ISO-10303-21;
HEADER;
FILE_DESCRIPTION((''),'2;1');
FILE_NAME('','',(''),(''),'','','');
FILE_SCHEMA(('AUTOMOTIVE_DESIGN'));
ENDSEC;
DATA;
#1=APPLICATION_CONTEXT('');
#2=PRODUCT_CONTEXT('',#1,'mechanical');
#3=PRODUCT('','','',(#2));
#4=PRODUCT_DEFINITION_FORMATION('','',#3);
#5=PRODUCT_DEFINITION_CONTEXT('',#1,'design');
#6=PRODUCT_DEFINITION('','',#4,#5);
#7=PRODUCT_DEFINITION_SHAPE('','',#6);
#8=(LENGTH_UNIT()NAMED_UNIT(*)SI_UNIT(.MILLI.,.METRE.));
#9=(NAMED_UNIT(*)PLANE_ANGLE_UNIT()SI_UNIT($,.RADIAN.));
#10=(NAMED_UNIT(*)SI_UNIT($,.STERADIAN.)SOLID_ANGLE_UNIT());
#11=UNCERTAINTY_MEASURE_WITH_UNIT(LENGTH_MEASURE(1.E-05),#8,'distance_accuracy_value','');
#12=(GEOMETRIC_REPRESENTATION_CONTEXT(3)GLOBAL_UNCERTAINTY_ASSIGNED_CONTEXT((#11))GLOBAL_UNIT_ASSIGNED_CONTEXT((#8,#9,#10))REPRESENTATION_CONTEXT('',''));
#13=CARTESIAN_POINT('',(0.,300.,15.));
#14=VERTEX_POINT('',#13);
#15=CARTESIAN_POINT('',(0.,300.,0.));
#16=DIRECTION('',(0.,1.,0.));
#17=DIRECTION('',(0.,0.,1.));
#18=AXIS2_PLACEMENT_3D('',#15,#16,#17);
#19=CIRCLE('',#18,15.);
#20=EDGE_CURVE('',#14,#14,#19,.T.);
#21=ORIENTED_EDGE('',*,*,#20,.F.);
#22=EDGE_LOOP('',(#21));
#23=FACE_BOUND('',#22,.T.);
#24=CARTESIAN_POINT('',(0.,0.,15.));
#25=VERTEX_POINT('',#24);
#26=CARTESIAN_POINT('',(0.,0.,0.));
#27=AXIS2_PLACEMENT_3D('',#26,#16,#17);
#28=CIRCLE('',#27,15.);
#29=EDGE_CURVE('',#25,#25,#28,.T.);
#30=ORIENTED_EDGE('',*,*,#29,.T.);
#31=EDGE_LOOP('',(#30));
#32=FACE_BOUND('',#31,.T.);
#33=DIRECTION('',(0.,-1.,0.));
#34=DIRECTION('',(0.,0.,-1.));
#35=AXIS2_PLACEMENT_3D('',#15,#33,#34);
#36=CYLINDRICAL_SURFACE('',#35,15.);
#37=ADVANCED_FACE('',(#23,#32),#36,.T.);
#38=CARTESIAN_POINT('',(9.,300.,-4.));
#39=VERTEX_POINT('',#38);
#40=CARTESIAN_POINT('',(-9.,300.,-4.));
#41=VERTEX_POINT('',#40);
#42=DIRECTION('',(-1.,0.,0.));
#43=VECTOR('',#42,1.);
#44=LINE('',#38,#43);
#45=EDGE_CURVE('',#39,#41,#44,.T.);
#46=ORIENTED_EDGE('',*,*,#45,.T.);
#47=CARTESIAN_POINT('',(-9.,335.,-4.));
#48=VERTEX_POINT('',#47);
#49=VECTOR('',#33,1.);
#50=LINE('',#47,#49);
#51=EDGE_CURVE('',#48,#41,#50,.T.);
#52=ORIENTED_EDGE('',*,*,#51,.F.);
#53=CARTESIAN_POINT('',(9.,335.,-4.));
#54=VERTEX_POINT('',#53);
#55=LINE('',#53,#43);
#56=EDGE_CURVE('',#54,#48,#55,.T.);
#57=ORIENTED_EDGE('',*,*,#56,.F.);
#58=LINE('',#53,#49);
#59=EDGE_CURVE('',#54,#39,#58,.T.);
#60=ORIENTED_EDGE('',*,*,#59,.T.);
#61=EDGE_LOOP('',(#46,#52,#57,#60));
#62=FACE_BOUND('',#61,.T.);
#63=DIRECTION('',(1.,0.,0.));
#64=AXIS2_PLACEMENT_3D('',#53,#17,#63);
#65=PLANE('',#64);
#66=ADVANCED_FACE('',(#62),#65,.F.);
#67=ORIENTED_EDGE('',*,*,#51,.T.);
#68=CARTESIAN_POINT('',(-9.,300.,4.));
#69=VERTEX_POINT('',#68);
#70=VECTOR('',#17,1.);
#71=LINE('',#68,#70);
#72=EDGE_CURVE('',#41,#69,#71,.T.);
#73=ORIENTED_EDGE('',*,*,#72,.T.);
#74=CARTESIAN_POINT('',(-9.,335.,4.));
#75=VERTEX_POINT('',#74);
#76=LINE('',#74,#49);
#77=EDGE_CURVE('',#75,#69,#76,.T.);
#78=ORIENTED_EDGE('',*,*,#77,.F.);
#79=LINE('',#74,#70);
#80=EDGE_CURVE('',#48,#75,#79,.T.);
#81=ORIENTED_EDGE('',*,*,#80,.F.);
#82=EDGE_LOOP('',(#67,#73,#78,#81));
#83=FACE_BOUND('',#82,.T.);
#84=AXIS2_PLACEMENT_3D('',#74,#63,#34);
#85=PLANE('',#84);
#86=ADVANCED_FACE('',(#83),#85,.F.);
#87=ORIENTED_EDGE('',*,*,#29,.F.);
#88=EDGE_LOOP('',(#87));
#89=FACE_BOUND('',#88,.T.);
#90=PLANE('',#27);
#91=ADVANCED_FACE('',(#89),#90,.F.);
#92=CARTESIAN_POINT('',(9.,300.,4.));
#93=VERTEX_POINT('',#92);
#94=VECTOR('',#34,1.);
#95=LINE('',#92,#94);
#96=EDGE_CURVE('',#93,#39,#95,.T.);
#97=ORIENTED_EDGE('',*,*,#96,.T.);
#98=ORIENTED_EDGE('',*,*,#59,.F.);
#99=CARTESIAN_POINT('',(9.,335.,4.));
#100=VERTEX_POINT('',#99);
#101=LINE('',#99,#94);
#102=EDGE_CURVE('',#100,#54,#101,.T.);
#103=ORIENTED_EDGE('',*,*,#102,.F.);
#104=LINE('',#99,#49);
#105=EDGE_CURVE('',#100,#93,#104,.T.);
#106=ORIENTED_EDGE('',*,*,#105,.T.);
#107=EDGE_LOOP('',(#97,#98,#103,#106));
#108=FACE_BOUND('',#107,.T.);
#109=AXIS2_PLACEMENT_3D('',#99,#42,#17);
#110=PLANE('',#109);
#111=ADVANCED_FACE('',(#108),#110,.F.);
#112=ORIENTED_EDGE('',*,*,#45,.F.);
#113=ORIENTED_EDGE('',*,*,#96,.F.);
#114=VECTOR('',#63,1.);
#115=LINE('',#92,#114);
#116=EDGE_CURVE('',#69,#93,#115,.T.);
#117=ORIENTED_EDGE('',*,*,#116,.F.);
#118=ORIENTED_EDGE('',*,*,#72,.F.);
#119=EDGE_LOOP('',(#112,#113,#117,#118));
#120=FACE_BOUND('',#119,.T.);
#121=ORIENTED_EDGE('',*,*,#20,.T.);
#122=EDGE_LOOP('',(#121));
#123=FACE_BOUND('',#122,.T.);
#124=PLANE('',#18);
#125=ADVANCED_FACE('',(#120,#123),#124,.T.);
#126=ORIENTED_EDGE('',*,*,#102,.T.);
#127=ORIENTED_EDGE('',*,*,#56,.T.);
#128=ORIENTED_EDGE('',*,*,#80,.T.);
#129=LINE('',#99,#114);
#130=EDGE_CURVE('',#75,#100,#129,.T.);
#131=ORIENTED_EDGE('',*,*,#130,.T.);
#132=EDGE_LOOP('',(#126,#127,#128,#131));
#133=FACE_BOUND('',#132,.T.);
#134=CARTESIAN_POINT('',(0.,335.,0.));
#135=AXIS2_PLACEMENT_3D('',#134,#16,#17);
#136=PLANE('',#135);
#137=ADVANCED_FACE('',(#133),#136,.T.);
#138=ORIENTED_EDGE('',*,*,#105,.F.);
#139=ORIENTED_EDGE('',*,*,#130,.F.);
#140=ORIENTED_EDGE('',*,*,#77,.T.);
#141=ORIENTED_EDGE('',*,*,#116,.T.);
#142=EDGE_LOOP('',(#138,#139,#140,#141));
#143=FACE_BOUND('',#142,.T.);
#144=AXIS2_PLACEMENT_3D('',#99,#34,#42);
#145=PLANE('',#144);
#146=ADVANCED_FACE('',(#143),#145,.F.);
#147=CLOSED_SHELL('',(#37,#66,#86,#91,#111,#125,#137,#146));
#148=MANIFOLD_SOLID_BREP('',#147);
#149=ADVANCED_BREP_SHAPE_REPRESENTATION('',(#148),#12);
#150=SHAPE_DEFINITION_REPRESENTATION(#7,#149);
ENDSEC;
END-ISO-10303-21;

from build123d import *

# Parameters (mm, degrees)
SKETCH1_R           = 15
BOSS_EXTRUDE1_DEPTH = 300
SKETCH2_W           = 18
SKETCH2_H           = 8
BOSS_EXTRUDE2_DEPTH = 35


with BuildPart() as part:
    # Sketch1 → Boss-Extrude1 (new body)
    with BuildSketch(Plane(origin=(0, 0, 0), x_dir=(1, 0, 0), z_dir=(0, 1, 0))):
        with Locations(Location((0, 0, 0), (0, 0, 270))):
            Circle(SKETCH1_R)
    extrude(amount=BOSS_EXTRUDE1_DEPTH)

    # Sketch2 → Boss-Extrude2 (add)
    with BuildSketch(Plane(origin=(0, 300, 0), x_dir=(1, 0, 0), z_dir=(0, 1, 0))):
        Rectangle(SKETCH2_W, SKETCH2_H)
    extrude(amount=BOSS_EXTRUDE2_DEPTH)


solid = part.part
